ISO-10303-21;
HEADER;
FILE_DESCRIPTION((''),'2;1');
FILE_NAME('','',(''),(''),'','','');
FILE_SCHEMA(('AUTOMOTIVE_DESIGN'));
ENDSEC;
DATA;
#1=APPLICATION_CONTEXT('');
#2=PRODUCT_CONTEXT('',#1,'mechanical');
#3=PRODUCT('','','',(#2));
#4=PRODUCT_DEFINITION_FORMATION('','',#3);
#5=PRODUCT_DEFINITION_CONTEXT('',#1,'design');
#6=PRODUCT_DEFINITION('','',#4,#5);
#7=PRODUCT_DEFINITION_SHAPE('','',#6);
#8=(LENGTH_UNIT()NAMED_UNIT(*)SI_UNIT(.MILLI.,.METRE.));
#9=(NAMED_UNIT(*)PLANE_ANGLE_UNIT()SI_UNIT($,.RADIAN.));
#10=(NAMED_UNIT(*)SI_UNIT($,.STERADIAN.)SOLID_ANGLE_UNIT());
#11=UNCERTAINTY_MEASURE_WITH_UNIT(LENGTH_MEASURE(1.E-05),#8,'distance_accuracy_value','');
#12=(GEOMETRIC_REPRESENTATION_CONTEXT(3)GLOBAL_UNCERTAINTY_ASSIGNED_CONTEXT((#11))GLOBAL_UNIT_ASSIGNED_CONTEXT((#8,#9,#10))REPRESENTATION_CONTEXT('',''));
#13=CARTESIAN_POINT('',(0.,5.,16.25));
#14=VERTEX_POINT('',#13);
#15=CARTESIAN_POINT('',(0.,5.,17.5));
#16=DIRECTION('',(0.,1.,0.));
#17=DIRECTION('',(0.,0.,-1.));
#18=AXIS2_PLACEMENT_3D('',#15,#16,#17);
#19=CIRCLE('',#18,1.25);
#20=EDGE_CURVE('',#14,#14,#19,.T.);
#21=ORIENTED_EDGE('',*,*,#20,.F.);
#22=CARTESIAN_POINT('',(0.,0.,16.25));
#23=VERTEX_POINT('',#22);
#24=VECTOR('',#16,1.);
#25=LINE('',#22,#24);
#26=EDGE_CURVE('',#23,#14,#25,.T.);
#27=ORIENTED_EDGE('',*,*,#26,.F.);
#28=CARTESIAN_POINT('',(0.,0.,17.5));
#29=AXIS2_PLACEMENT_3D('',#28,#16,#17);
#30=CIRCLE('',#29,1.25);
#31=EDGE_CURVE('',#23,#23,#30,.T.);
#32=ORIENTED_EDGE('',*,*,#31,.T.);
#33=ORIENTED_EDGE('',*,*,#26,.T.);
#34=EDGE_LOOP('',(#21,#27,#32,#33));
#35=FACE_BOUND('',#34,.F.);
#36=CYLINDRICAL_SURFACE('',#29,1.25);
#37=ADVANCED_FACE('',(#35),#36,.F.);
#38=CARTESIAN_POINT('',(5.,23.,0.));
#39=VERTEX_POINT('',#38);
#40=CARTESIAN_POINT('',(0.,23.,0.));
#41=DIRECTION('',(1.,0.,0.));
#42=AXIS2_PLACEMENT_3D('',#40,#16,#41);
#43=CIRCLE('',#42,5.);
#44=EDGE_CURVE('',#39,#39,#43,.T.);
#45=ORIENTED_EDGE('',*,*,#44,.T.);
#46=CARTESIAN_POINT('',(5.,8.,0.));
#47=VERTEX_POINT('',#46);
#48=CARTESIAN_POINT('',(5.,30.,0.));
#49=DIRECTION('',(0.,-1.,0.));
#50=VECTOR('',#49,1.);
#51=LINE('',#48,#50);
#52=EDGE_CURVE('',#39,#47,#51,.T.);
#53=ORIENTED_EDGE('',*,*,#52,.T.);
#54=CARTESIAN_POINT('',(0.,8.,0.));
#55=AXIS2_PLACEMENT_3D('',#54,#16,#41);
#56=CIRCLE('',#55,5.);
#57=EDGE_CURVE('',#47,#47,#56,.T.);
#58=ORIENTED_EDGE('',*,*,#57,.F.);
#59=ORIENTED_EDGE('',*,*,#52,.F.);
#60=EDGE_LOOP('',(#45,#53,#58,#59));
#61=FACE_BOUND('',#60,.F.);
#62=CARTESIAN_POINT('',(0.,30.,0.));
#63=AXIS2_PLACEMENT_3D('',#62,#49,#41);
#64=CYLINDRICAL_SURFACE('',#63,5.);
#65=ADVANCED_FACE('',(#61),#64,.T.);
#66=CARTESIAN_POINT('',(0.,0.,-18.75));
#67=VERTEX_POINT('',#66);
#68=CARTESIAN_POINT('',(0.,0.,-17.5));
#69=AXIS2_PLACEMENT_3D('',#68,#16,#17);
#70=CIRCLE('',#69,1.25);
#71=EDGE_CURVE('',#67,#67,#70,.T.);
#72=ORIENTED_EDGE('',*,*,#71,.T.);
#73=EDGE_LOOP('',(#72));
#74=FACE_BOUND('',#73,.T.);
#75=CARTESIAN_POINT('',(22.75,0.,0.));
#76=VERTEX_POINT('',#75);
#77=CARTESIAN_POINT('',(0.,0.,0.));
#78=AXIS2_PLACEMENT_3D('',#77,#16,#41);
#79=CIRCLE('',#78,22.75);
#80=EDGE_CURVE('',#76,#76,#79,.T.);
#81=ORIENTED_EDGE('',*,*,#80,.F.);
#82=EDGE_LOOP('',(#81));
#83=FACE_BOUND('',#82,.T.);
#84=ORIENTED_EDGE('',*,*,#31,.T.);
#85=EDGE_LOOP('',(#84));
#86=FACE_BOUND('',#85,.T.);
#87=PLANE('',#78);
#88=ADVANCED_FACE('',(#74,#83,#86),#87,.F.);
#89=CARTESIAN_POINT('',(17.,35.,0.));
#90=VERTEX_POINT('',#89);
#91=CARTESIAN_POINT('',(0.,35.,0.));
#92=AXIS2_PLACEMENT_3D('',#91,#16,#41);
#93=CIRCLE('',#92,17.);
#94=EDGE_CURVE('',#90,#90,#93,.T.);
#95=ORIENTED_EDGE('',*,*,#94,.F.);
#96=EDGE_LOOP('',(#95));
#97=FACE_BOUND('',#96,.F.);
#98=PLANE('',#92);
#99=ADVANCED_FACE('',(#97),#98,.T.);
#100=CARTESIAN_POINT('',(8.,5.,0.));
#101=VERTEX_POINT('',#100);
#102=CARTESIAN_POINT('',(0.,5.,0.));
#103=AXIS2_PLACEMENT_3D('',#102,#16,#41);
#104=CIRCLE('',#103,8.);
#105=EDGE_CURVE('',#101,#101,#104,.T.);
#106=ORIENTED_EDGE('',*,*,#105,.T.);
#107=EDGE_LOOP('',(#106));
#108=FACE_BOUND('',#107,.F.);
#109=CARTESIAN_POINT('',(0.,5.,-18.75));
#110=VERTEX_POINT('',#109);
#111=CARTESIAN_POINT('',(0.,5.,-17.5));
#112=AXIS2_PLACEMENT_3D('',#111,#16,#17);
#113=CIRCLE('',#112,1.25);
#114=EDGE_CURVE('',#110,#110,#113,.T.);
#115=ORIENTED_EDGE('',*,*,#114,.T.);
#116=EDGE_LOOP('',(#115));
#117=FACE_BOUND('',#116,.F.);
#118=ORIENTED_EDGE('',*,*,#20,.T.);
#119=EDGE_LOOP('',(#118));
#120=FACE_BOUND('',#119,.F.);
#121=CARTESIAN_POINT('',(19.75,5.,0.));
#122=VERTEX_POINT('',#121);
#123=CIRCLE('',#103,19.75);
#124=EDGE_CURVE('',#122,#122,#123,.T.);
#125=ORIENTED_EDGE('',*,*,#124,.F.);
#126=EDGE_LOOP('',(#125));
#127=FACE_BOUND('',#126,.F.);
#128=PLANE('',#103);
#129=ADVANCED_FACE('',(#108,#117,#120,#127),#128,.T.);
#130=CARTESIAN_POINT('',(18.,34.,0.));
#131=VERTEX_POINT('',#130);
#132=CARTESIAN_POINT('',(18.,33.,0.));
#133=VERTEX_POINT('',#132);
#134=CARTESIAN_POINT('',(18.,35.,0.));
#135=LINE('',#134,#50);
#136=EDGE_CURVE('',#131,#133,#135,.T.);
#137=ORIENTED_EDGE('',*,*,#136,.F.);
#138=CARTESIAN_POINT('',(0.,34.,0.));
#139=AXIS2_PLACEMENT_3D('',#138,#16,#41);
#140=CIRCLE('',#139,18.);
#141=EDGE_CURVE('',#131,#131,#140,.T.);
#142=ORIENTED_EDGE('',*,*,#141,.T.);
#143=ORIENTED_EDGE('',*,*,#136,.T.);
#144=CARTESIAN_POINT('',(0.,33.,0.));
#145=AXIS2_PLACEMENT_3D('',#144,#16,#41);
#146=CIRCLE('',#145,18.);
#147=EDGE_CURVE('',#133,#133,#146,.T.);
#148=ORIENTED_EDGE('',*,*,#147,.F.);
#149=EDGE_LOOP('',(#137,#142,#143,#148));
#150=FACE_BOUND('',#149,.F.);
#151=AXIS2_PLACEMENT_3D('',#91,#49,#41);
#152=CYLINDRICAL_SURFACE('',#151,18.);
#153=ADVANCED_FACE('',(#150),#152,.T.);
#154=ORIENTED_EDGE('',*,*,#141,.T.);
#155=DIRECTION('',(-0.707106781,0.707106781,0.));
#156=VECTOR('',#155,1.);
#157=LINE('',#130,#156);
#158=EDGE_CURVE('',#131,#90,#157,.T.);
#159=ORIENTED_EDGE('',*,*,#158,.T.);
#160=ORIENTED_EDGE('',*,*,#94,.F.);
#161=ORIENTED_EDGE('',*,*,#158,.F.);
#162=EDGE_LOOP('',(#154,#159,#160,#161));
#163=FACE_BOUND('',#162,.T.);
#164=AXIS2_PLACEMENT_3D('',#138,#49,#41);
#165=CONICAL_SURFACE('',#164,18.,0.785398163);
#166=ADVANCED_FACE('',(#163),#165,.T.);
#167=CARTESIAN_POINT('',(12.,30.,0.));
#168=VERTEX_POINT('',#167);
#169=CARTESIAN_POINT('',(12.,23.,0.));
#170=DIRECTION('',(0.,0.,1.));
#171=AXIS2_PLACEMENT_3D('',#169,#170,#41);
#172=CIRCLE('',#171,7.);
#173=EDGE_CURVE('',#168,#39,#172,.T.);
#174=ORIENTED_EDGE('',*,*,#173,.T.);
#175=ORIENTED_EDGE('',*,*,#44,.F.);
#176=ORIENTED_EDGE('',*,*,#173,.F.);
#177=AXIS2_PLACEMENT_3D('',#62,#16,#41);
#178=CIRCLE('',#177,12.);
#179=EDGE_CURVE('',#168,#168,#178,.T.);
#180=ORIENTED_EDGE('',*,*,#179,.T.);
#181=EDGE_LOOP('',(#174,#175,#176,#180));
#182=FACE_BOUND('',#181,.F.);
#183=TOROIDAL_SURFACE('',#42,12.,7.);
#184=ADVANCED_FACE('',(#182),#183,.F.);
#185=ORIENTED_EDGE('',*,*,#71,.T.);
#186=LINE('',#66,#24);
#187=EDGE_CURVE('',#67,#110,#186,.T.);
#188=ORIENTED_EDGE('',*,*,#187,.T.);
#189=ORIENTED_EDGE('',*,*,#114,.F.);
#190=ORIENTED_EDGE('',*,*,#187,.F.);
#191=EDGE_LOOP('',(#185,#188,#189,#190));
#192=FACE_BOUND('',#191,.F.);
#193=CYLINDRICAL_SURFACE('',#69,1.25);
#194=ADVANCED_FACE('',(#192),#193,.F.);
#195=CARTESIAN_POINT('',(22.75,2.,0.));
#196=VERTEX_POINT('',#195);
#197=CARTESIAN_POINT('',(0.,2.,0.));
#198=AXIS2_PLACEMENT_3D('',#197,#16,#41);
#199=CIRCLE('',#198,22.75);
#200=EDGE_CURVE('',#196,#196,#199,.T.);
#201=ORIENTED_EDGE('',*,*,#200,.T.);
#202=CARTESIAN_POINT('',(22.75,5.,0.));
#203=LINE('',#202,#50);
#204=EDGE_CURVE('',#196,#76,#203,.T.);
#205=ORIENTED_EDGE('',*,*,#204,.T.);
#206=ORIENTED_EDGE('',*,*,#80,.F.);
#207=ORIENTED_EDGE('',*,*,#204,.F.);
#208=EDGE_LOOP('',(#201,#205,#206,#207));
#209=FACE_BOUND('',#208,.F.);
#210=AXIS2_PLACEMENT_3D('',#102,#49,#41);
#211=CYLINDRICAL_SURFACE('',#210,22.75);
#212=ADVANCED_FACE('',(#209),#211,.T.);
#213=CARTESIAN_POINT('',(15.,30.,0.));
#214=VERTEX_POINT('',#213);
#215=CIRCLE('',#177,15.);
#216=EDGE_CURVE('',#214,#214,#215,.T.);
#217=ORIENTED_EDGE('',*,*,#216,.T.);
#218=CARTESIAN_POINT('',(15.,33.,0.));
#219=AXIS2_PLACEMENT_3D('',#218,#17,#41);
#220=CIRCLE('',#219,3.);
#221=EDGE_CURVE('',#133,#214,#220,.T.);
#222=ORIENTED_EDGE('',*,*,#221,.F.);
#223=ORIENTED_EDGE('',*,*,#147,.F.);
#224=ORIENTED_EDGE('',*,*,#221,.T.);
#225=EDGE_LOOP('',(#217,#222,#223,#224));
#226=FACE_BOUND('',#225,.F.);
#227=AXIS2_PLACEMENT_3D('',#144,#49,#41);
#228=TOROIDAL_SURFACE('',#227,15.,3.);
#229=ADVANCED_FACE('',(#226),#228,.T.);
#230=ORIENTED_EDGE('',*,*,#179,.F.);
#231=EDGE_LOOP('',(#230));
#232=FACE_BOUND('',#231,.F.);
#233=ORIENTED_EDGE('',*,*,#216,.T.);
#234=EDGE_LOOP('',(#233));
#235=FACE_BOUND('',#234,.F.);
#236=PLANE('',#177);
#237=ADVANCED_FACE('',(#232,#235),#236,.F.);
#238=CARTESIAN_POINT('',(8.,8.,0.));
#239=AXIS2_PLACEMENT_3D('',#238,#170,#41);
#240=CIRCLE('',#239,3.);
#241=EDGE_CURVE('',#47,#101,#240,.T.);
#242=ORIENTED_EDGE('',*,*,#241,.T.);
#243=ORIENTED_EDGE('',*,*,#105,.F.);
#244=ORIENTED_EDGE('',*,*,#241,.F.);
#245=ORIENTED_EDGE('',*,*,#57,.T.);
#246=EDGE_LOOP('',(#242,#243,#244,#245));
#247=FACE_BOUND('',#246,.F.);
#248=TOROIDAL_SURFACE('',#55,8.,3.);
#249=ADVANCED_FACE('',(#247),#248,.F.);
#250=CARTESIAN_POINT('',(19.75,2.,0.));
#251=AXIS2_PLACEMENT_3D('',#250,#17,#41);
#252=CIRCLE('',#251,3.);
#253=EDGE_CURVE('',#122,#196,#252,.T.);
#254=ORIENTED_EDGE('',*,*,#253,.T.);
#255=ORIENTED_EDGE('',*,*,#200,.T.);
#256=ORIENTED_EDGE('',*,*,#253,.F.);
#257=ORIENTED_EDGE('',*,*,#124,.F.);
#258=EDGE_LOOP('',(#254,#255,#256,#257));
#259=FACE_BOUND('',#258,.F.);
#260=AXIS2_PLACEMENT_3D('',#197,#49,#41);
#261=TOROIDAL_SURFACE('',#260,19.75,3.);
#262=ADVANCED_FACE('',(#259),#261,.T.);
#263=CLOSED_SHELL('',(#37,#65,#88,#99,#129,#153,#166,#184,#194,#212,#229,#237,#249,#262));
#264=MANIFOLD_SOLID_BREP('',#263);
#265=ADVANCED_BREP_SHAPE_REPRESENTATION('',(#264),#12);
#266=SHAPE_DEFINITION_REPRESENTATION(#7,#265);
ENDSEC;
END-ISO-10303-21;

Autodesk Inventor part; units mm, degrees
ref_plane "YZ Plane" through (0, 0, 0) normal (1, 0, 0) x (0, 1, 0)
ref_plane "XZ Plane" through (0, 0, 0) normal (0, 1, 0) x (-1, 0, 0)
ref_plane "XY Plane" through (0, 0, 0) normal (0, 0, 1) x (1, 0, 0)
sketch "Sketch2" plane through (0, 0, 0) normal (0, 0, 1) x (1, 0, 0)
  line L0 (0, 0) -> (22.75, 0)
  line L1 (0, 0) -> (0, 35)
  line L2 (0, 35) -> (18, 35)
  line L3 (18, 35) -> (18, 30)
  line L4 (18, 30) -> (5, 30)
  line L5 (5, 30) -> (5, 5)
  line L6 (5, 5) -> (22.75, 5)
  line L7 (22.75, 5) -> (22.75, 0)
  dimension "d3" = 22.75
  dimension "d4" = 35
  dimension "d5" = 18
  dimension "d6" = 5
  dimension "d23" = 5
  dimension "d24" = 25
  dimension "d26" = 5
revolve "Revolution1" add sketch "Sketch2" angle 360 about axis through (0, 0, 0) along (0, 1, 0)
fillet "Fillet1" radius 3 3 edges at (-5, 5, 0) (-18, 30, 0) (-22.75, 5, 0)
chamfer "Chamfer1" distance 1 angle 45 1 edges at (-18, 35, 0)
sketch "Sketch3" plane through (0, 0, 0) normal (0, -1, 0) x (1, 0, 0)
  line L0 (0, 0) -> (0, -17.5)
  line L1 (0, 0) -> (0, 17.5)
  dimension "d14" = 17.5
  dimension "d15" = 17.5
hole "Hole1" at (0, 0, 17.5) at (0, 0, -17.5) direction (0, 1, 0) diameter 2.5 depth 5
fillet "Fillet2" radius 7 1 edges at (-5, 30, 0)
properties part number "holding_socket"
